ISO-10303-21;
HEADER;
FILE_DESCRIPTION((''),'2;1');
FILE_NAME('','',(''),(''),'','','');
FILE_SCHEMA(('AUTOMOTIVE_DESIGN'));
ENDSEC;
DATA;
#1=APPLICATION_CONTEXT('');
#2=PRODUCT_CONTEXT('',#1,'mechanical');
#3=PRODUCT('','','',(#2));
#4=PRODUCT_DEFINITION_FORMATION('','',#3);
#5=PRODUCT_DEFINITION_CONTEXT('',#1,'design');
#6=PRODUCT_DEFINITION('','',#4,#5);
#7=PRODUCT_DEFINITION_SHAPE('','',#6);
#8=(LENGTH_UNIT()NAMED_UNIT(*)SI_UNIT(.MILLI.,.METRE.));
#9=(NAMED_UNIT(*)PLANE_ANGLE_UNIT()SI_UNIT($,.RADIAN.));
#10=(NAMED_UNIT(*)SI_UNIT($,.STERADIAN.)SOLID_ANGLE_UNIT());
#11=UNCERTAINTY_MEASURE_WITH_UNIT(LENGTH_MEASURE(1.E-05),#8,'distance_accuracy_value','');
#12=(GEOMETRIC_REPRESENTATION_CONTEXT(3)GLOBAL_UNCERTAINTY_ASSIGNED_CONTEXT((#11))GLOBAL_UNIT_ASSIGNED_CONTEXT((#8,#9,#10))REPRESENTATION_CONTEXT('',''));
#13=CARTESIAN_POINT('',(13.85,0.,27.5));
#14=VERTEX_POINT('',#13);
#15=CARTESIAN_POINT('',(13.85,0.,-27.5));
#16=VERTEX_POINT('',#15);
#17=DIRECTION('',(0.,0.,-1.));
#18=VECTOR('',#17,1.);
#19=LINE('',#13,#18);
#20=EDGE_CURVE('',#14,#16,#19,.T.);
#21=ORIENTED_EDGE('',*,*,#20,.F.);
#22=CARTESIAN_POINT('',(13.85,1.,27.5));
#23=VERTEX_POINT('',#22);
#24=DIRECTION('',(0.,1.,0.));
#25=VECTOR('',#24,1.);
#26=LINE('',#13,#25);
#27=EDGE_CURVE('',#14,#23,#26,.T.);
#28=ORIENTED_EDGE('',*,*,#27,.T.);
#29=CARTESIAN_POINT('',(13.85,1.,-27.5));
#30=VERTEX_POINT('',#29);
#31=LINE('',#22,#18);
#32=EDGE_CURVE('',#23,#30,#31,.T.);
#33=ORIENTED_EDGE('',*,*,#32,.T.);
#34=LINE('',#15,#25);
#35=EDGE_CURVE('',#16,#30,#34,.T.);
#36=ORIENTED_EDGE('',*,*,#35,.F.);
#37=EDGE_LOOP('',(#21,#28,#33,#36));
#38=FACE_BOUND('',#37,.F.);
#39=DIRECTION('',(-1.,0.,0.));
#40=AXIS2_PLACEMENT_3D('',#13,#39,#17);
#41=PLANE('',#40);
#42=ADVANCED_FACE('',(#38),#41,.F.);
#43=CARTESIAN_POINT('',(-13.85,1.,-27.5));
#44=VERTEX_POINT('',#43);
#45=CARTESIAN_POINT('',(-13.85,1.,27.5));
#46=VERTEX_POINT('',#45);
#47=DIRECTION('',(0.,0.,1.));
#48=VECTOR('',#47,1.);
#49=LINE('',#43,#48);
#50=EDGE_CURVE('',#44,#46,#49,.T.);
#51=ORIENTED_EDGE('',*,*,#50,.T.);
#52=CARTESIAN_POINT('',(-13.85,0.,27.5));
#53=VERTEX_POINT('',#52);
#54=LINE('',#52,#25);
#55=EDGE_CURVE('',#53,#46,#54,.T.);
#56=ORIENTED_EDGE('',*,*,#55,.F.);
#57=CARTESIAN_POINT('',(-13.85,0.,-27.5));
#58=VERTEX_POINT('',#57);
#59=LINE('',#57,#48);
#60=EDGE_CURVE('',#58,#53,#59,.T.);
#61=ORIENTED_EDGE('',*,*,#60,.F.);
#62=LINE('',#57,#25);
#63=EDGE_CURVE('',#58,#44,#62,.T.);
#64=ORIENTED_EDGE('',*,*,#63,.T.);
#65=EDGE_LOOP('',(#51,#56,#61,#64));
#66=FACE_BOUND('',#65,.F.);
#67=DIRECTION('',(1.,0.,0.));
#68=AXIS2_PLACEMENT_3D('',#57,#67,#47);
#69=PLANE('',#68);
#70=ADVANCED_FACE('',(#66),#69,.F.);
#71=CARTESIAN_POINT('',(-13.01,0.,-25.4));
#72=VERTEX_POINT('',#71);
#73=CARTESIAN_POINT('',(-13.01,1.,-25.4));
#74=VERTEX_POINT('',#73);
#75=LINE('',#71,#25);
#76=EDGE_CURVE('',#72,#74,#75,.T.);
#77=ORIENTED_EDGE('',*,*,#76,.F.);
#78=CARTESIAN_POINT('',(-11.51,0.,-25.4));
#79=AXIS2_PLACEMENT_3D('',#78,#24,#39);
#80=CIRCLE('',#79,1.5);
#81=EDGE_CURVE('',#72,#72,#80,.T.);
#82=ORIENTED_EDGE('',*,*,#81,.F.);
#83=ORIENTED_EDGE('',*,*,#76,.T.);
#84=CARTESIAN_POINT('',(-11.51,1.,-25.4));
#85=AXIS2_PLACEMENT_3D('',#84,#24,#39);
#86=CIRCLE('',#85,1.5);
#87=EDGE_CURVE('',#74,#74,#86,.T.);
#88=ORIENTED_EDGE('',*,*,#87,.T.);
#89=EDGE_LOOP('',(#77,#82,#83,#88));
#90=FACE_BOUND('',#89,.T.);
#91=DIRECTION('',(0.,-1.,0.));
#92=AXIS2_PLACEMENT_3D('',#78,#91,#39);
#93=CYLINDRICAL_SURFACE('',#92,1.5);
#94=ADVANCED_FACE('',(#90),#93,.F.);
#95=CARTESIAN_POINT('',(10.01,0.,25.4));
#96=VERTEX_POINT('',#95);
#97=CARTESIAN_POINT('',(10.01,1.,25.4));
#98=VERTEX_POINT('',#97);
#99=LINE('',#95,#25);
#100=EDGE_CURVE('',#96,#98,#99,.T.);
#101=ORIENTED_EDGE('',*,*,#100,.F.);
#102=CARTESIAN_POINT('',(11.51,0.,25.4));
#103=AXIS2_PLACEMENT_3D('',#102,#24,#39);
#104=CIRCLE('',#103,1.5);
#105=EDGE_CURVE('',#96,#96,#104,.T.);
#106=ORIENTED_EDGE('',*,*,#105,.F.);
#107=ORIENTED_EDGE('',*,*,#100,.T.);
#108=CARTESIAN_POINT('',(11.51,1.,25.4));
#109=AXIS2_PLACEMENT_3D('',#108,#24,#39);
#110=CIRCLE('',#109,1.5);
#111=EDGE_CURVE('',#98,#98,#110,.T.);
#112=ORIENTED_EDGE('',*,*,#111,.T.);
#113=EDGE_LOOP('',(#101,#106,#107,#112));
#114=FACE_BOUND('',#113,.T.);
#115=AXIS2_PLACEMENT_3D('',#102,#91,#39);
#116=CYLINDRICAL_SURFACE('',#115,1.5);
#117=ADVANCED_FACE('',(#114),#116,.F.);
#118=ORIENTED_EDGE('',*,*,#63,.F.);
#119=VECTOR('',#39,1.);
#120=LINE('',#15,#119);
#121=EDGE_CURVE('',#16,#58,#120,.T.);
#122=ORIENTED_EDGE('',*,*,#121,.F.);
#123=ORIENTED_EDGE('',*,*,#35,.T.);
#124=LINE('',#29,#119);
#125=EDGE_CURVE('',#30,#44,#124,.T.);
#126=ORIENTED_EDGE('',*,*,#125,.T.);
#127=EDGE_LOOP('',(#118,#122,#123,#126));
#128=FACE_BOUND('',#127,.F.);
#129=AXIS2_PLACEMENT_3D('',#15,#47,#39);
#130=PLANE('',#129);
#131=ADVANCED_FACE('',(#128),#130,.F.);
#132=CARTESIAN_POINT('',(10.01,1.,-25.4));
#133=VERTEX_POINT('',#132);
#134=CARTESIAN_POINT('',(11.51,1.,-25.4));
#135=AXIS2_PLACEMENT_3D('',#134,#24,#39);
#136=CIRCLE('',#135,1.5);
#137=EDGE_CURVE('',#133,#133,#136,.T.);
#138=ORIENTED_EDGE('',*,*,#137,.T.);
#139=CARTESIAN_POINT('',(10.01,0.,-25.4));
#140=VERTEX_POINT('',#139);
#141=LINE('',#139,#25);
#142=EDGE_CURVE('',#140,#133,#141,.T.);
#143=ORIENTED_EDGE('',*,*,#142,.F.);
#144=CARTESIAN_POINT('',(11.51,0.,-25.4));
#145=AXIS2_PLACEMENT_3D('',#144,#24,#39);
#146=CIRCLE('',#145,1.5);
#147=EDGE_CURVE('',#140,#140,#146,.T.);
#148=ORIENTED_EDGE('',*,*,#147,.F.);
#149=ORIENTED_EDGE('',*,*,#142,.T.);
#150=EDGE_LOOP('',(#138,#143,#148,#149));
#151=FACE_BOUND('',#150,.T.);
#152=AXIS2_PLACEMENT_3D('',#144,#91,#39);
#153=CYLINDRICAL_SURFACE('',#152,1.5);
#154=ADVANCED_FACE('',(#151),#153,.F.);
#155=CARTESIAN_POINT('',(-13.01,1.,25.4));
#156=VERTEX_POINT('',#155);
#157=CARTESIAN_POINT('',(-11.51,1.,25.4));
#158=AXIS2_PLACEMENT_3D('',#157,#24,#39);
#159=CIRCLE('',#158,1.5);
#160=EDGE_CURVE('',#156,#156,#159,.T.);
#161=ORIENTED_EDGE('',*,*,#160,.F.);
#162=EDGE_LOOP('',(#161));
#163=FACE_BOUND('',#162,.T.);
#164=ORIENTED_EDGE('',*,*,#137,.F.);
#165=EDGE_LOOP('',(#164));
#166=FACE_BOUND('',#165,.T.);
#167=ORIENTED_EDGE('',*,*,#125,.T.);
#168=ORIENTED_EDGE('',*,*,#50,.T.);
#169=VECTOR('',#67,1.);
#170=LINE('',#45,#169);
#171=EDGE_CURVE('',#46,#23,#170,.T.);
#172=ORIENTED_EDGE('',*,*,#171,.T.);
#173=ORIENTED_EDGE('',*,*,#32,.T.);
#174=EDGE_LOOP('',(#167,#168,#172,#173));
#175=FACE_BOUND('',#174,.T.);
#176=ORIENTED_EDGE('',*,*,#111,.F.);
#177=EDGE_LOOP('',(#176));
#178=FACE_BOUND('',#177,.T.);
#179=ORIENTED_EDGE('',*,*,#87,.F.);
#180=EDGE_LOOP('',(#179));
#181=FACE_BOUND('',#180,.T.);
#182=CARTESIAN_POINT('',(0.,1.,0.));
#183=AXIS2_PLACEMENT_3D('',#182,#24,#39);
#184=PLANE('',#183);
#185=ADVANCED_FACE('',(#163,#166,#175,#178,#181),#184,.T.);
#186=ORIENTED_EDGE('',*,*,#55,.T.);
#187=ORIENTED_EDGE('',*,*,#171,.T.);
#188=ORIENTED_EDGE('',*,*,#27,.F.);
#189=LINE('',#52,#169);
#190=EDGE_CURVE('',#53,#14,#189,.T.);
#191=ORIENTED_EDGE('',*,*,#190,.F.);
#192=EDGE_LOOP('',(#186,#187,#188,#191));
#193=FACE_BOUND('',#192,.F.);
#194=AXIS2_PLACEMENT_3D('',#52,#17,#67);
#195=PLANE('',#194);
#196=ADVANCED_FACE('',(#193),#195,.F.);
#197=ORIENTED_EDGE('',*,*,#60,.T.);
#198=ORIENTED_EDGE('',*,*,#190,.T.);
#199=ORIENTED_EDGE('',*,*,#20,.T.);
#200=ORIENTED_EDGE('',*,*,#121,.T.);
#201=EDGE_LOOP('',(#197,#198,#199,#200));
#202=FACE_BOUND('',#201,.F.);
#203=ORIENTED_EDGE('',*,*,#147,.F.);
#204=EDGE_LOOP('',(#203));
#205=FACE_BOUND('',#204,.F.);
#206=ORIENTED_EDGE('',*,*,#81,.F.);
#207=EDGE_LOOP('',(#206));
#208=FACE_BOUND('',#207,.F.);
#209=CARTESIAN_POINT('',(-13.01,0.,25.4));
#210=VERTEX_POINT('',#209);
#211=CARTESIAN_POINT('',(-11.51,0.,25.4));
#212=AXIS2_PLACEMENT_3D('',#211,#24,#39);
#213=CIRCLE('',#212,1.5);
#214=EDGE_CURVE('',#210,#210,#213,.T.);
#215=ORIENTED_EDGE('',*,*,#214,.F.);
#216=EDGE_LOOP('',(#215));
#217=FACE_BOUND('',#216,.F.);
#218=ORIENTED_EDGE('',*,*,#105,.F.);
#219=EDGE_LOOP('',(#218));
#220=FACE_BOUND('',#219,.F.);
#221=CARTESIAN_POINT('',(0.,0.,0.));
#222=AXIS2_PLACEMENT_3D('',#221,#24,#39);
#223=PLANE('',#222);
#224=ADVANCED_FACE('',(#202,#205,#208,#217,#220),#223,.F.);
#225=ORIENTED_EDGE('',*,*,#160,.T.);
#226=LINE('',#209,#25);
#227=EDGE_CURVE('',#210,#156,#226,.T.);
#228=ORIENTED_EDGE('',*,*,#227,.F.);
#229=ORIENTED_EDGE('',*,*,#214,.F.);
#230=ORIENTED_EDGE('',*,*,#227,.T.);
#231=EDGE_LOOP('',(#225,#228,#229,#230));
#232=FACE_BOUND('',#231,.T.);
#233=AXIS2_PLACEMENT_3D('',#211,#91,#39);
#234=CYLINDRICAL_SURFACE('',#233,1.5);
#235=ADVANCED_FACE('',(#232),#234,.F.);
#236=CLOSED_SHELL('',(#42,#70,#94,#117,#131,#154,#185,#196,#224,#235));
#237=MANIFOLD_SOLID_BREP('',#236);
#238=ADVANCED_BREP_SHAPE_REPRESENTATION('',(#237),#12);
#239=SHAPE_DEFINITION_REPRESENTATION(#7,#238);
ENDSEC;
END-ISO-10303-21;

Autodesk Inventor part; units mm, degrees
ref_plane "YZ Plane" through (0, 0, 0) normal (1, 0, 0) x (0, 1, 0)
ref_plane "XZ Plane" through (0, 0, 0) normal (0, 1, 0) x (-1, 0, 0)
ref_plane "XY Plane" through (0, 0, 0) normal (0, 0, 1) x (1, 0, 0)
sketch "Sketch1" plane through (0, 0, 0) normal (0, 1, 0) x (-1, 0, 0)
  line L0 (13.85, 27.5) -> (-13.85, 27.5)
  line L1 (-13.85, 27.5) -> (-13.85, -27.5)
  line L2 (-13.85, -27.5) -> (13.85, -27.5)
  line L3 (13.85, -27.5) -> (13.85, 27.5)
  line L4 (13.85, 27.5) -> (-13.85, -27.5) construction
  line L5 (-13.85, 27.5) -> (13.85, -27.5) construction
  line L6 (0, 27.5) -> (0, -27.5) construction
  line L7 (13.85, 0) -> (-13.85, 0) construction
  circle A0 centre (11.51, 25.4) radius 1.5
  circle A1 centre (11.51, -25.4) radius 1.5
  circle A2 centre (-11.51, 25.4) radius 1.5
  circle A3 centre (-11.51, -25.4) radius 1.5
  point P0 (0, 0)
  dimension "d0" = 27.7
  dimension "d1" = 55
  dimension "d2" = 3
  dimension "d3" = 2.34
  dimension "d4" = 2.1
extrude "Extrusion1" add sketch "Sketch1" along normal blind 1
properties part number "esp32_footprint"
